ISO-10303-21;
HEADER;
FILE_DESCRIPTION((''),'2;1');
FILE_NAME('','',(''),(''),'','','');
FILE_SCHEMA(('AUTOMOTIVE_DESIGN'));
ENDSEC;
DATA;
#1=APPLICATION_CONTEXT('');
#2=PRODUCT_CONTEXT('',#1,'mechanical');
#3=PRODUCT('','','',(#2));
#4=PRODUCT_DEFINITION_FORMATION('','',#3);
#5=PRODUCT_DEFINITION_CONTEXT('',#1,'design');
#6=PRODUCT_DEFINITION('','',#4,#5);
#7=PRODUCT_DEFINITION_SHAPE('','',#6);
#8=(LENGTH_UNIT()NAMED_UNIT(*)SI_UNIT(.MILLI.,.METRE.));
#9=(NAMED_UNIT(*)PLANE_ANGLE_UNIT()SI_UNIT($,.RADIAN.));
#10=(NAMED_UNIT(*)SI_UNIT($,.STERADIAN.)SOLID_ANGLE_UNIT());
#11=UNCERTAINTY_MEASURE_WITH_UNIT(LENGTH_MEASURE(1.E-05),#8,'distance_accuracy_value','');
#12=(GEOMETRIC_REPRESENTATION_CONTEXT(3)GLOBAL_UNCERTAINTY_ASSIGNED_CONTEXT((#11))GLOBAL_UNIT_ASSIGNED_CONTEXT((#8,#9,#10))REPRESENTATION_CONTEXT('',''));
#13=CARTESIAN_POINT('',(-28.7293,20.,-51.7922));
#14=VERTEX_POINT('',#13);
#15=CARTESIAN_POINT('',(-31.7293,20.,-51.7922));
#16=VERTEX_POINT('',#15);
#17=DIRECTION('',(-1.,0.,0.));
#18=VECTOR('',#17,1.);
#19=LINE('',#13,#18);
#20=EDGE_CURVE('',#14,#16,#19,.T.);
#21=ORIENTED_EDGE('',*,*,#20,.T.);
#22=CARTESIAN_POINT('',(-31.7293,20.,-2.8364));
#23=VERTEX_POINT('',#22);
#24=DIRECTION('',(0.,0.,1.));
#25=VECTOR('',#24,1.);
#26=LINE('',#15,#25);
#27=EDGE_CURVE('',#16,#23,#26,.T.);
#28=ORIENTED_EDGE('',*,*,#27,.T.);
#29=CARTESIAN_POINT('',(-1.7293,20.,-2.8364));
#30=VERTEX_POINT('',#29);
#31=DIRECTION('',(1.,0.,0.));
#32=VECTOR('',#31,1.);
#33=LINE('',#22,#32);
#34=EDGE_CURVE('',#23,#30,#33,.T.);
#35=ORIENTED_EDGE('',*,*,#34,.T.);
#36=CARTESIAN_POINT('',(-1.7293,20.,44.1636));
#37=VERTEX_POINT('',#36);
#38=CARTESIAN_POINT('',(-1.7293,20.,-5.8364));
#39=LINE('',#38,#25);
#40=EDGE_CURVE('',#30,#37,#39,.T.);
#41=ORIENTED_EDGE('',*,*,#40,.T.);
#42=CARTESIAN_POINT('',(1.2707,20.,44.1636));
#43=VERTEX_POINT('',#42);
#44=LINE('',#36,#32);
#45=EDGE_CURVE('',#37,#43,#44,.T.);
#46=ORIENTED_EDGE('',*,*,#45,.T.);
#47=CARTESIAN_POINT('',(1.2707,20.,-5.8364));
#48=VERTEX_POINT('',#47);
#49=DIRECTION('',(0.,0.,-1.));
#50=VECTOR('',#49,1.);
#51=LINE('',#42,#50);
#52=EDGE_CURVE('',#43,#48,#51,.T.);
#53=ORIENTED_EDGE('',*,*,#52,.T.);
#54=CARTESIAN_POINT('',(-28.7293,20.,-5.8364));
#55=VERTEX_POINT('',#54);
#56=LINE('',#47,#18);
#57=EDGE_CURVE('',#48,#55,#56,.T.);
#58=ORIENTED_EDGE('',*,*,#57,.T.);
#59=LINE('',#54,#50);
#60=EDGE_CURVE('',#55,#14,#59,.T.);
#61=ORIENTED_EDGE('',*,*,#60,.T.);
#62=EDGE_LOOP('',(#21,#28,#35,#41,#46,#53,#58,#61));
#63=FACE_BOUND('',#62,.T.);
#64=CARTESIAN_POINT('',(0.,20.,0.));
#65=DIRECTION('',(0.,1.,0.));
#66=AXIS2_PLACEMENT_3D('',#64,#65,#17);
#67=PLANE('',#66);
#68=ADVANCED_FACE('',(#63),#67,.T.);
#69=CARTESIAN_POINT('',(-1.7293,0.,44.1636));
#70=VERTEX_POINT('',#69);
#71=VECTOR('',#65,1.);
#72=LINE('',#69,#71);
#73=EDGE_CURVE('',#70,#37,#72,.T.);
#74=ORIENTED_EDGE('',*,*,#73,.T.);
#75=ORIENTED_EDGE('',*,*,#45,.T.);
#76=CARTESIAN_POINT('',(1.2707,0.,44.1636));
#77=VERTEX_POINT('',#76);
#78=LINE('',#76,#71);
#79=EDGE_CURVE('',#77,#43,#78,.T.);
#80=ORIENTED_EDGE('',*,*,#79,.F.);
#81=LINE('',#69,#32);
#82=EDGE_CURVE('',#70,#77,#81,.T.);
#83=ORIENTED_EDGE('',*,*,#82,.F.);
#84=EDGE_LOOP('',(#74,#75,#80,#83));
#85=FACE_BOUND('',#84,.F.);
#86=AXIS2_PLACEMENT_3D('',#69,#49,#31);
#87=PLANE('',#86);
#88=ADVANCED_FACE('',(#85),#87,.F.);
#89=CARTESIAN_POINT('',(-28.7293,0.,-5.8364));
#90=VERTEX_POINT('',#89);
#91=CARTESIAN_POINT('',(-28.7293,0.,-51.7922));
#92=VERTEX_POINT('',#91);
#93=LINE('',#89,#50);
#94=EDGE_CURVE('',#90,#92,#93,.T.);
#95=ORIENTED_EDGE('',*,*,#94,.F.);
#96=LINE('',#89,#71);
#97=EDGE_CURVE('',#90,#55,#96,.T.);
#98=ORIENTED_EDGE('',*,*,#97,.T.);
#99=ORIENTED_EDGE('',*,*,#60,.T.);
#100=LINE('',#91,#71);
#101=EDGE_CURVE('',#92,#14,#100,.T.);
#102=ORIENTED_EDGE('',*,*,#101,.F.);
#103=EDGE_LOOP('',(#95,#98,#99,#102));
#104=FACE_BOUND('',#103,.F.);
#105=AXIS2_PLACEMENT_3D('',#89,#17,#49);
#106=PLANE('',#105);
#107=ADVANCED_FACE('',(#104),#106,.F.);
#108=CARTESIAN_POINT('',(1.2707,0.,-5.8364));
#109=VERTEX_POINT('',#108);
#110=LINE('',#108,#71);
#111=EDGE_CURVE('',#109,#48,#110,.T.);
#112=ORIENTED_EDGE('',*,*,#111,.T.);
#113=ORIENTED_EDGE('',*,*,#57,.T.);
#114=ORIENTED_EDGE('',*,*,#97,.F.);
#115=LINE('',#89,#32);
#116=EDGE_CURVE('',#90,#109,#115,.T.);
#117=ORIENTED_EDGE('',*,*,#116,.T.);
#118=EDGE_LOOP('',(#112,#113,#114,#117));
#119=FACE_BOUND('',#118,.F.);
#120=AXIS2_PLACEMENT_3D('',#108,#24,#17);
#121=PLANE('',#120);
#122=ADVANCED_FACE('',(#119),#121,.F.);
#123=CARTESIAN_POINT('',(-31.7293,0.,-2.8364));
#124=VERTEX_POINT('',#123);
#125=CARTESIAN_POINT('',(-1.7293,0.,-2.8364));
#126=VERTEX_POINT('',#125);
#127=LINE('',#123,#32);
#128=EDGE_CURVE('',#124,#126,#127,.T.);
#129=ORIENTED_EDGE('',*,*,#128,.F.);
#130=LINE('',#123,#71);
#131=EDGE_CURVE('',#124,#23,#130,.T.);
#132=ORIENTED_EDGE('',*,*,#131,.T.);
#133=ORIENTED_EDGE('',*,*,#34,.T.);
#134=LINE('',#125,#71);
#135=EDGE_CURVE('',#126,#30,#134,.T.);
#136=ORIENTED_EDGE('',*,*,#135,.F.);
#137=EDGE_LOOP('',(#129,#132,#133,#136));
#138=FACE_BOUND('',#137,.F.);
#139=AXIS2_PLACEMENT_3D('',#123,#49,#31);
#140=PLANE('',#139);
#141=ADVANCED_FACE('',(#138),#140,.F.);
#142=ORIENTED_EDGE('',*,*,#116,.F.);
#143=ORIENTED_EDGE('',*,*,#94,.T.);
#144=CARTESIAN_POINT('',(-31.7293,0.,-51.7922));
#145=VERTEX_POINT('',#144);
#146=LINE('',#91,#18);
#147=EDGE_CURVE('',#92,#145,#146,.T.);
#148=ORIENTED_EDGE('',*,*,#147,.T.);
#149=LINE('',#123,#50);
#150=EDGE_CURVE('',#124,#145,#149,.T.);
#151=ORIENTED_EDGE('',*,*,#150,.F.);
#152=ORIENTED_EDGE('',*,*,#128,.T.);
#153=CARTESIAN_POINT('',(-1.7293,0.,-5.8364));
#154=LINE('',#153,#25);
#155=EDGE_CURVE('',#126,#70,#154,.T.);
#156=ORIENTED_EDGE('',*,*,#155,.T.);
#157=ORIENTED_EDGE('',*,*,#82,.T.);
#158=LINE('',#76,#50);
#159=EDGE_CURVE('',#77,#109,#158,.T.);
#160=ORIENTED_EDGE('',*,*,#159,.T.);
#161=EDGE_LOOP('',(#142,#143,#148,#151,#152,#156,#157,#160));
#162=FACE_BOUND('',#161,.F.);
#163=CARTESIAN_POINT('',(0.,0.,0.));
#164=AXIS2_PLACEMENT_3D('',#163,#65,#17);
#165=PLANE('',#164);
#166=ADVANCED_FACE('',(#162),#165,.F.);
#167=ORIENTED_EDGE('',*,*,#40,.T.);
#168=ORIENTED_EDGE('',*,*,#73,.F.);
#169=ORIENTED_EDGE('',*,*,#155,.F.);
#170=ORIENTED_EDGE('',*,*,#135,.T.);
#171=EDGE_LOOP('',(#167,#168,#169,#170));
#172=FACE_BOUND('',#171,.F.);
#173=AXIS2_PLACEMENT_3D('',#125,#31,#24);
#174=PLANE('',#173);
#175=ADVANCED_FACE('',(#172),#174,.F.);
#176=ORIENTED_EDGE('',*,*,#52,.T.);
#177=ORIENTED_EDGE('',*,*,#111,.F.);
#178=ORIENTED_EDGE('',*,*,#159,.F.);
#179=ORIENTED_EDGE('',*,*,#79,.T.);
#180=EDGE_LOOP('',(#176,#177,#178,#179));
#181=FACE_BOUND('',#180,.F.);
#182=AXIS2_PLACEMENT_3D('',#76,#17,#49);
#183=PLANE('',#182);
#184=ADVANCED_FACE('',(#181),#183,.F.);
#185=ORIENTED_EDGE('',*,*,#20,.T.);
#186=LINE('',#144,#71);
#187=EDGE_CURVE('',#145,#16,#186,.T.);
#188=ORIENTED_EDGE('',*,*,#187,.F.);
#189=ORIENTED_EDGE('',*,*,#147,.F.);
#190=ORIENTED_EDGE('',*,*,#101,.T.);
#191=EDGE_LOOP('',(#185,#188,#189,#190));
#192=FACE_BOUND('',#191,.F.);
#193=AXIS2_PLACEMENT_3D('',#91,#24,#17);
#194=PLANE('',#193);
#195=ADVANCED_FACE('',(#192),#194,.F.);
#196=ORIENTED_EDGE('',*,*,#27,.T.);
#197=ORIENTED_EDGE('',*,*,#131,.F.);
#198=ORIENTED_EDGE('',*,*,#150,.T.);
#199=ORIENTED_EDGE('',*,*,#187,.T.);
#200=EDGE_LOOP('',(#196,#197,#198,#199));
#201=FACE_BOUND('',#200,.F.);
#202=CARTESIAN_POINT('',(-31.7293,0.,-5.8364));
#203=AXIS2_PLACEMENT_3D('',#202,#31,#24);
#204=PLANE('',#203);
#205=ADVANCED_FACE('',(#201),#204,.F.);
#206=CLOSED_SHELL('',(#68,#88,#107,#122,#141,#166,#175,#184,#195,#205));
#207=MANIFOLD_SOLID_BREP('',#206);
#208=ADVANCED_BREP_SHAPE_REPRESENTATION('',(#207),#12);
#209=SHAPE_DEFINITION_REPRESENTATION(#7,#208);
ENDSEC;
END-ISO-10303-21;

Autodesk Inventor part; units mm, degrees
ref_plane "YZ Plane" through (0, 0, 0) normal (1, 0, 0) x (0, 1, 0)
ref_plane "XZ Plane" through (0, 0, 0) normal (0, 1, 0) x (-1, 0, 0)
ref_plane "XY Plane" through (0, 0, 0) normal (0, 0, 1) x (1, 0, 0)
sketch "スケッチ1" plane through (0, 0, 0) normal (0, 1, 0) x (-1, 0, 0)
  line L0 (1.7293, 44.1636) -> (-1.2707, 44.1636)
  line L1 (-1.2707, 44.1636) -> (-1.2707, -5.8364)
  line L2 (-1.2707, -5.8364) -> (1.7293, -5.8364)
  line L3 (1.7293, -5.8364) -> (1.7293, 44.1636)
  line L4 (31.7293, -2.8364) -> (1.7293, -2.8364)
  line L5 (1.7293, -2.8364) -> (1.7293, -5.8364)
  line L6 (1.7293, -5.8364) -> (31.7293, -5.8364)
  line L7 (31.7293, -5.8364) -> (31.7293, -2.8364)
  line L8 (31.7293, -5.8364) -> (28.7293, -5.8364)
  line L9 (28.7293, -5.8364) -> (28.7293, -51.7922)
  line L10 (28.7293, -51.7922) -> (31.7293, -51.7922)
  line L11 (31.7293, -51.7922) -> (31.7293, -5.8364)
  point P0 (0, 0)
  dimension "d0" = 3
  dimension "d1" = 50
  dimension "d2" = 30
  dimension "d3" = 3
  dimension "d4" = 3
extrude "押し出し1" add sketch "スケッチ1" along normal blind 20
properties part number "recreat1"
